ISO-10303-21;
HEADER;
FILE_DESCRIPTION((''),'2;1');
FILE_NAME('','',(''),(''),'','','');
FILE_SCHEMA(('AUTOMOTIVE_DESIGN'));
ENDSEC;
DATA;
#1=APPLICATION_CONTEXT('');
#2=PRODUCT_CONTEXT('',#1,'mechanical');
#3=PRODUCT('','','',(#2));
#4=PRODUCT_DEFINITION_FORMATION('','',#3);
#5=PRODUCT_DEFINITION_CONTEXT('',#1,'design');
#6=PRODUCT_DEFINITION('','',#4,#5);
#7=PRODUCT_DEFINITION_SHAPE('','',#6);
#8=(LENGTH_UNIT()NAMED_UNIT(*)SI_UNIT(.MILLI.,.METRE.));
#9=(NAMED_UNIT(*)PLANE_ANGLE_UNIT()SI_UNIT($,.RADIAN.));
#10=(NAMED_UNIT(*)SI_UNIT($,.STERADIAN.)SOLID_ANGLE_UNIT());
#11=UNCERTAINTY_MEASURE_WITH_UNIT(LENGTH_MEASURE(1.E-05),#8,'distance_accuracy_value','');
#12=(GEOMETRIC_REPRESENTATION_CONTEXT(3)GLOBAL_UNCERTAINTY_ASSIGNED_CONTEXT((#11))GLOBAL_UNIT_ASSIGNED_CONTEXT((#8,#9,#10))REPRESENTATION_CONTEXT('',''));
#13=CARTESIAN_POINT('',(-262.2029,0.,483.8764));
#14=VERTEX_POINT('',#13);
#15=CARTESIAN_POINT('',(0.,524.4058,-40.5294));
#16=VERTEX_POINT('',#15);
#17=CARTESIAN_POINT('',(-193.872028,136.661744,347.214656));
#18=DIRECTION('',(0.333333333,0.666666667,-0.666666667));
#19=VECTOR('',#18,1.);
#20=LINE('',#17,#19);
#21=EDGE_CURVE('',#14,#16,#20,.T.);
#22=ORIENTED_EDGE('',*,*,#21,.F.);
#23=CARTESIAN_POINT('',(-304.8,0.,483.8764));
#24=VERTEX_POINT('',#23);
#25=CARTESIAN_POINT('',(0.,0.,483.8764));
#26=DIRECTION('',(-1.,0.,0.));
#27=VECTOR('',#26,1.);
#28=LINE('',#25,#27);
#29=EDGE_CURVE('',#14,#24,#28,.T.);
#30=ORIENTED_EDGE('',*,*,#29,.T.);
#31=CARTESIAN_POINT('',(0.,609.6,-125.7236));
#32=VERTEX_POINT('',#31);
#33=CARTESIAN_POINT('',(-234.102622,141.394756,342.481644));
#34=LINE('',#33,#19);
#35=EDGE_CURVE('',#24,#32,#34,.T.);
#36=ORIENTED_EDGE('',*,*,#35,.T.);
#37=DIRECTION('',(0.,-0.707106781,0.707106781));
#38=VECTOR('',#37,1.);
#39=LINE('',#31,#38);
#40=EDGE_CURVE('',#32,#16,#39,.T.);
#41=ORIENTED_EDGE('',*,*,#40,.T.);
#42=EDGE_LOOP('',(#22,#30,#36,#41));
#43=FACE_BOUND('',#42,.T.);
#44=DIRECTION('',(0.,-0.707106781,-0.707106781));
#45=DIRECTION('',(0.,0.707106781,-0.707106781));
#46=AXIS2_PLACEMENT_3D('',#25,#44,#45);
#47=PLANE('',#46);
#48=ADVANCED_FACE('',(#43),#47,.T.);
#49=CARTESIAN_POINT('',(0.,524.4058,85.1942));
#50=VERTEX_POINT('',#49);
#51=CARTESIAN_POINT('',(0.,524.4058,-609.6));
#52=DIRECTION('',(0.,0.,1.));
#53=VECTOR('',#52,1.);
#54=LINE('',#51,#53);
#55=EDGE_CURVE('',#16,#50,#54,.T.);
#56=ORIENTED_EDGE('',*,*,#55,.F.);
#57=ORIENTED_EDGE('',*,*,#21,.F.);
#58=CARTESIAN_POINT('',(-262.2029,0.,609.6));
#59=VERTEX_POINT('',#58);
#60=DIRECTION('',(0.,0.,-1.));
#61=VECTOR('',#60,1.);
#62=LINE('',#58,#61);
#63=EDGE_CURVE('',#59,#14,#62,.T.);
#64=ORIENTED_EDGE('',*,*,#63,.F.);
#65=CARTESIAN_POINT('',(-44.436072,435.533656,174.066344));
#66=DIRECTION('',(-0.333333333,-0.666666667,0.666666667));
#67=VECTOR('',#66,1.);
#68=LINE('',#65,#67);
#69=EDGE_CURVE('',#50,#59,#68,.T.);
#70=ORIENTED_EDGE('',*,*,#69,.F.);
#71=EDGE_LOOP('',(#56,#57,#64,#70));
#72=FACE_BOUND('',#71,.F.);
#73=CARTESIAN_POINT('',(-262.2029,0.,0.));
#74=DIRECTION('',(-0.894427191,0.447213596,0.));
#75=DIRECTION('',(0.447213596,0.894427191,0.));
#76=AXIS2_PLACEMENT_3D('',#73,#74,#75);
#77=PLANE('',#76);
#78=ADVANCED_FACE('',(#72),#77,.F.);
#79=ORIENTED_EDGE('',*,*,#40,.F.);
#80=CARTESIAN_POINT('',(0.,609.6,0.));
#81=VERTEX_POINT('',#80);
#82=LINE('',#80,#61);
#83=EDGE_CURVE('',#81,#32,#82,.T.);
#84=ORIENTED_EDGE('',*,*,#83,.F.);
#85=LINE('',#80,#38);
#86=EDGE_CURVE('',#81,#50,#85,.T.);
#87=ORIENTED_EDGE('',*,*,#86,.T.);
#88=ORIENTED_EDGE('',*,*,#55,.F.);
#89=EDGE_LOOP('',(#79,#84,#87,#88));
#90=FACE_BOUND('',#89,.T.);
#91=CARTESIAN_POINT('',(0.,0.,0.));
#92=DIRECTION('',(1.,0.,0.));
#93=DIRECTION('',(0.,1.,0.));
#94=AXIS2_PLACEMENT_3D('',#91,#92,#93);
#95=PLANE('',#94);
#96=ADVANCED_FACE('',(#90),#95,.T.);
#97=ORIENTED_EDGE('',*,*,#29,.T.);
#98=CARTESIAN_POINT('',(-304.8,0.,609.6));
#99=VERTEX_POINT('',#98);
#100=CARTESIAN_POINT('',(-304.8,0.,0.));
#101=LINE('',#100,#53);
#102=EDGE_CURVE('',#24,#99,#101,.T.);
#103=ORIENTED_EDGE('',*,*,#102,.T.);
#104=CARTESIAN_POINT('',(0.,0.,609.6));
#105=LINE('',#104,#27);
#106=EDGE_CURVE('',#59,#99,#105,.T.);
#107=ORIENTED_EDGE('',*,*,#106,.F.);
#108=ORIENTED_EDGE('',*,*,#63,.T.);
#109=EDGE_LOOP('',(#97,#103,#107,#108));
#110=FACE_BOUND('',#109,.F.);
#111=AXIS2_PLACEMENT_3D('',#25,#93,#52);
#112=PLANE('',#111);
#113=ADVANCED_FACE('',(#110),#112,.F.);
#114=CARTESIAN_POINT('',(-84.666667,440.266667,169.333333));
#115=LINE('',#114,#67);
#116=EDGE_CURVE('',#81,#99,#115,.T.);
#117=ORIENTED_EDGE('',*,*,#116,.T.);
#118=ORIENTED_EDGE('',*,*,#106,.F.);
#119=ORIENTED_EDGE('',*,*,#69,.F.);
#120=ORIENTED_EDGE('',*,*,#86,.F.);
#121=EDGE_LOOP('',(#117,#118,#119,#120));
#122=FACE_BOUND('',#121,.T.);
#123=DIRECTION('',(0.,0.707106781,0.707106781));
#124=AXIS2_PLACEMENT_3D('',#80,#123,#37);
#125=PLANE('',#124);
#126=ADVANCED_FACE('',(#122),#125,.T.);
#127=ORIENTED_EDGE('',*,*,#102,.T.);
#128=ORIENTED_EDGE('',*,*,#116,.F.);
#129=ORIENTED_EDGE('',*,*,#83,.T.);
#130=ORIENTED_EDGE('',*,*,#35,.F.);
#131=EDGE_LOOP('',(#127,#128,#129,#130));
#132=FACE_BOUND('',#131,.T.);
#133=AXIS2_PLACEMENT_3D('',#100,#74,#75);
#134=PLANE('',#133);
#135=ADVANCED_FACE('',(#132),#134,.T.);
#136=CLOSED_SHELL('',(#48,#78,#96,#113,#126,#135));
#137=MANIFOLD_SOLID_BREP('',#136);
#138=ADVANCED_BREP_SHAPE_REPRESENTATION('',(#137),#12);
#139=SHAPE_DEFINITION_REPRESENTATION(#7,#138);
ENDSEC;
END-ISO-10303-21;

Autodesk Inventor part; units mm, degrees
ref_plane "YZ Plane" through (0, 0, 0) normal (1, 0, 0) x (0, 1, 0)
ref_plane "XZ Plane" through (0, 0, 0) normal (0, 1, 0) x (-1, 0, 0)
ref_plane "XY Plane" through (0, 0, 0) normal (0, 0, 1) x (1, 0, 0)
sketch "Sketch2" plane through (0, 0, 0) normal (0, 0, 1) x (1, 0, 0)
  line L0 (0, 0) -> (0, 609.6)
  line L1 (0, 0) -> (-304.8, 0)
  line L2 (-304.8, 0) -> (0, 609.6)
  line L3 (-304.8, 0) -> (-270.7223, -17.0388)
  line L4 (0, 609.6) -> (34.0777, 592.5612)
  line L5 (-270.7223, -17.0388) -> (34.0777, 592.5612)
  line L6 (0, 609.6) -> (-304.8, 609.6)
  line L7 (-304.8, 609.6) -> (-304.8, 0)
  point P0 (0, 524.4058)
  point P1 (-262.2029, 0)
  dimension "d4" = 609.6
  dimension "d5" = 304.8
  dimension "d6" = 38.1
  dimension "d7" = 38.1
  dimension "d13" = 304.8
sketch "Sketch3" plane through (0, 0, 0) normal (1, 0, 0) x (0, 1, 0)
  line L0 (0, 0) -> (0, 609.6)
  line L1 (0, 0) -> (609.6, 0)
  line L2 (609.6, 0) -> (0, 609.6)
  line L3 (0, 609.6) -> (-62.8618, 546.7382)
  line L4 (-62.8618, 546.7382) -> (546.7382, -62.8618)
  line L5 (609.6, 0) -> (609.6, -304.8)
  line L6 (546.7382, -62.8618) -> (609.6, -125.7236)
  point P0 (0, 483.8764)
  point P1 (483.8764, 0)
  dimension "d8" = 609.6
  dimension "d9" = 609.6
  dimension "d10" = 88.9
  dimension "d16" = 304.8
extrude "Extrusion2" add sketch "Sketch3" against normal blind 304.8 contours L0 L2 L1 L4 | L1 L5 L6 L4
extrude "Extrusion3" cut sketch "Sketch2" along normal mid plane 1219.2 contours L1 L5 L0 | L2 L7 L6
properties part number "SS_2x4x39.473"
